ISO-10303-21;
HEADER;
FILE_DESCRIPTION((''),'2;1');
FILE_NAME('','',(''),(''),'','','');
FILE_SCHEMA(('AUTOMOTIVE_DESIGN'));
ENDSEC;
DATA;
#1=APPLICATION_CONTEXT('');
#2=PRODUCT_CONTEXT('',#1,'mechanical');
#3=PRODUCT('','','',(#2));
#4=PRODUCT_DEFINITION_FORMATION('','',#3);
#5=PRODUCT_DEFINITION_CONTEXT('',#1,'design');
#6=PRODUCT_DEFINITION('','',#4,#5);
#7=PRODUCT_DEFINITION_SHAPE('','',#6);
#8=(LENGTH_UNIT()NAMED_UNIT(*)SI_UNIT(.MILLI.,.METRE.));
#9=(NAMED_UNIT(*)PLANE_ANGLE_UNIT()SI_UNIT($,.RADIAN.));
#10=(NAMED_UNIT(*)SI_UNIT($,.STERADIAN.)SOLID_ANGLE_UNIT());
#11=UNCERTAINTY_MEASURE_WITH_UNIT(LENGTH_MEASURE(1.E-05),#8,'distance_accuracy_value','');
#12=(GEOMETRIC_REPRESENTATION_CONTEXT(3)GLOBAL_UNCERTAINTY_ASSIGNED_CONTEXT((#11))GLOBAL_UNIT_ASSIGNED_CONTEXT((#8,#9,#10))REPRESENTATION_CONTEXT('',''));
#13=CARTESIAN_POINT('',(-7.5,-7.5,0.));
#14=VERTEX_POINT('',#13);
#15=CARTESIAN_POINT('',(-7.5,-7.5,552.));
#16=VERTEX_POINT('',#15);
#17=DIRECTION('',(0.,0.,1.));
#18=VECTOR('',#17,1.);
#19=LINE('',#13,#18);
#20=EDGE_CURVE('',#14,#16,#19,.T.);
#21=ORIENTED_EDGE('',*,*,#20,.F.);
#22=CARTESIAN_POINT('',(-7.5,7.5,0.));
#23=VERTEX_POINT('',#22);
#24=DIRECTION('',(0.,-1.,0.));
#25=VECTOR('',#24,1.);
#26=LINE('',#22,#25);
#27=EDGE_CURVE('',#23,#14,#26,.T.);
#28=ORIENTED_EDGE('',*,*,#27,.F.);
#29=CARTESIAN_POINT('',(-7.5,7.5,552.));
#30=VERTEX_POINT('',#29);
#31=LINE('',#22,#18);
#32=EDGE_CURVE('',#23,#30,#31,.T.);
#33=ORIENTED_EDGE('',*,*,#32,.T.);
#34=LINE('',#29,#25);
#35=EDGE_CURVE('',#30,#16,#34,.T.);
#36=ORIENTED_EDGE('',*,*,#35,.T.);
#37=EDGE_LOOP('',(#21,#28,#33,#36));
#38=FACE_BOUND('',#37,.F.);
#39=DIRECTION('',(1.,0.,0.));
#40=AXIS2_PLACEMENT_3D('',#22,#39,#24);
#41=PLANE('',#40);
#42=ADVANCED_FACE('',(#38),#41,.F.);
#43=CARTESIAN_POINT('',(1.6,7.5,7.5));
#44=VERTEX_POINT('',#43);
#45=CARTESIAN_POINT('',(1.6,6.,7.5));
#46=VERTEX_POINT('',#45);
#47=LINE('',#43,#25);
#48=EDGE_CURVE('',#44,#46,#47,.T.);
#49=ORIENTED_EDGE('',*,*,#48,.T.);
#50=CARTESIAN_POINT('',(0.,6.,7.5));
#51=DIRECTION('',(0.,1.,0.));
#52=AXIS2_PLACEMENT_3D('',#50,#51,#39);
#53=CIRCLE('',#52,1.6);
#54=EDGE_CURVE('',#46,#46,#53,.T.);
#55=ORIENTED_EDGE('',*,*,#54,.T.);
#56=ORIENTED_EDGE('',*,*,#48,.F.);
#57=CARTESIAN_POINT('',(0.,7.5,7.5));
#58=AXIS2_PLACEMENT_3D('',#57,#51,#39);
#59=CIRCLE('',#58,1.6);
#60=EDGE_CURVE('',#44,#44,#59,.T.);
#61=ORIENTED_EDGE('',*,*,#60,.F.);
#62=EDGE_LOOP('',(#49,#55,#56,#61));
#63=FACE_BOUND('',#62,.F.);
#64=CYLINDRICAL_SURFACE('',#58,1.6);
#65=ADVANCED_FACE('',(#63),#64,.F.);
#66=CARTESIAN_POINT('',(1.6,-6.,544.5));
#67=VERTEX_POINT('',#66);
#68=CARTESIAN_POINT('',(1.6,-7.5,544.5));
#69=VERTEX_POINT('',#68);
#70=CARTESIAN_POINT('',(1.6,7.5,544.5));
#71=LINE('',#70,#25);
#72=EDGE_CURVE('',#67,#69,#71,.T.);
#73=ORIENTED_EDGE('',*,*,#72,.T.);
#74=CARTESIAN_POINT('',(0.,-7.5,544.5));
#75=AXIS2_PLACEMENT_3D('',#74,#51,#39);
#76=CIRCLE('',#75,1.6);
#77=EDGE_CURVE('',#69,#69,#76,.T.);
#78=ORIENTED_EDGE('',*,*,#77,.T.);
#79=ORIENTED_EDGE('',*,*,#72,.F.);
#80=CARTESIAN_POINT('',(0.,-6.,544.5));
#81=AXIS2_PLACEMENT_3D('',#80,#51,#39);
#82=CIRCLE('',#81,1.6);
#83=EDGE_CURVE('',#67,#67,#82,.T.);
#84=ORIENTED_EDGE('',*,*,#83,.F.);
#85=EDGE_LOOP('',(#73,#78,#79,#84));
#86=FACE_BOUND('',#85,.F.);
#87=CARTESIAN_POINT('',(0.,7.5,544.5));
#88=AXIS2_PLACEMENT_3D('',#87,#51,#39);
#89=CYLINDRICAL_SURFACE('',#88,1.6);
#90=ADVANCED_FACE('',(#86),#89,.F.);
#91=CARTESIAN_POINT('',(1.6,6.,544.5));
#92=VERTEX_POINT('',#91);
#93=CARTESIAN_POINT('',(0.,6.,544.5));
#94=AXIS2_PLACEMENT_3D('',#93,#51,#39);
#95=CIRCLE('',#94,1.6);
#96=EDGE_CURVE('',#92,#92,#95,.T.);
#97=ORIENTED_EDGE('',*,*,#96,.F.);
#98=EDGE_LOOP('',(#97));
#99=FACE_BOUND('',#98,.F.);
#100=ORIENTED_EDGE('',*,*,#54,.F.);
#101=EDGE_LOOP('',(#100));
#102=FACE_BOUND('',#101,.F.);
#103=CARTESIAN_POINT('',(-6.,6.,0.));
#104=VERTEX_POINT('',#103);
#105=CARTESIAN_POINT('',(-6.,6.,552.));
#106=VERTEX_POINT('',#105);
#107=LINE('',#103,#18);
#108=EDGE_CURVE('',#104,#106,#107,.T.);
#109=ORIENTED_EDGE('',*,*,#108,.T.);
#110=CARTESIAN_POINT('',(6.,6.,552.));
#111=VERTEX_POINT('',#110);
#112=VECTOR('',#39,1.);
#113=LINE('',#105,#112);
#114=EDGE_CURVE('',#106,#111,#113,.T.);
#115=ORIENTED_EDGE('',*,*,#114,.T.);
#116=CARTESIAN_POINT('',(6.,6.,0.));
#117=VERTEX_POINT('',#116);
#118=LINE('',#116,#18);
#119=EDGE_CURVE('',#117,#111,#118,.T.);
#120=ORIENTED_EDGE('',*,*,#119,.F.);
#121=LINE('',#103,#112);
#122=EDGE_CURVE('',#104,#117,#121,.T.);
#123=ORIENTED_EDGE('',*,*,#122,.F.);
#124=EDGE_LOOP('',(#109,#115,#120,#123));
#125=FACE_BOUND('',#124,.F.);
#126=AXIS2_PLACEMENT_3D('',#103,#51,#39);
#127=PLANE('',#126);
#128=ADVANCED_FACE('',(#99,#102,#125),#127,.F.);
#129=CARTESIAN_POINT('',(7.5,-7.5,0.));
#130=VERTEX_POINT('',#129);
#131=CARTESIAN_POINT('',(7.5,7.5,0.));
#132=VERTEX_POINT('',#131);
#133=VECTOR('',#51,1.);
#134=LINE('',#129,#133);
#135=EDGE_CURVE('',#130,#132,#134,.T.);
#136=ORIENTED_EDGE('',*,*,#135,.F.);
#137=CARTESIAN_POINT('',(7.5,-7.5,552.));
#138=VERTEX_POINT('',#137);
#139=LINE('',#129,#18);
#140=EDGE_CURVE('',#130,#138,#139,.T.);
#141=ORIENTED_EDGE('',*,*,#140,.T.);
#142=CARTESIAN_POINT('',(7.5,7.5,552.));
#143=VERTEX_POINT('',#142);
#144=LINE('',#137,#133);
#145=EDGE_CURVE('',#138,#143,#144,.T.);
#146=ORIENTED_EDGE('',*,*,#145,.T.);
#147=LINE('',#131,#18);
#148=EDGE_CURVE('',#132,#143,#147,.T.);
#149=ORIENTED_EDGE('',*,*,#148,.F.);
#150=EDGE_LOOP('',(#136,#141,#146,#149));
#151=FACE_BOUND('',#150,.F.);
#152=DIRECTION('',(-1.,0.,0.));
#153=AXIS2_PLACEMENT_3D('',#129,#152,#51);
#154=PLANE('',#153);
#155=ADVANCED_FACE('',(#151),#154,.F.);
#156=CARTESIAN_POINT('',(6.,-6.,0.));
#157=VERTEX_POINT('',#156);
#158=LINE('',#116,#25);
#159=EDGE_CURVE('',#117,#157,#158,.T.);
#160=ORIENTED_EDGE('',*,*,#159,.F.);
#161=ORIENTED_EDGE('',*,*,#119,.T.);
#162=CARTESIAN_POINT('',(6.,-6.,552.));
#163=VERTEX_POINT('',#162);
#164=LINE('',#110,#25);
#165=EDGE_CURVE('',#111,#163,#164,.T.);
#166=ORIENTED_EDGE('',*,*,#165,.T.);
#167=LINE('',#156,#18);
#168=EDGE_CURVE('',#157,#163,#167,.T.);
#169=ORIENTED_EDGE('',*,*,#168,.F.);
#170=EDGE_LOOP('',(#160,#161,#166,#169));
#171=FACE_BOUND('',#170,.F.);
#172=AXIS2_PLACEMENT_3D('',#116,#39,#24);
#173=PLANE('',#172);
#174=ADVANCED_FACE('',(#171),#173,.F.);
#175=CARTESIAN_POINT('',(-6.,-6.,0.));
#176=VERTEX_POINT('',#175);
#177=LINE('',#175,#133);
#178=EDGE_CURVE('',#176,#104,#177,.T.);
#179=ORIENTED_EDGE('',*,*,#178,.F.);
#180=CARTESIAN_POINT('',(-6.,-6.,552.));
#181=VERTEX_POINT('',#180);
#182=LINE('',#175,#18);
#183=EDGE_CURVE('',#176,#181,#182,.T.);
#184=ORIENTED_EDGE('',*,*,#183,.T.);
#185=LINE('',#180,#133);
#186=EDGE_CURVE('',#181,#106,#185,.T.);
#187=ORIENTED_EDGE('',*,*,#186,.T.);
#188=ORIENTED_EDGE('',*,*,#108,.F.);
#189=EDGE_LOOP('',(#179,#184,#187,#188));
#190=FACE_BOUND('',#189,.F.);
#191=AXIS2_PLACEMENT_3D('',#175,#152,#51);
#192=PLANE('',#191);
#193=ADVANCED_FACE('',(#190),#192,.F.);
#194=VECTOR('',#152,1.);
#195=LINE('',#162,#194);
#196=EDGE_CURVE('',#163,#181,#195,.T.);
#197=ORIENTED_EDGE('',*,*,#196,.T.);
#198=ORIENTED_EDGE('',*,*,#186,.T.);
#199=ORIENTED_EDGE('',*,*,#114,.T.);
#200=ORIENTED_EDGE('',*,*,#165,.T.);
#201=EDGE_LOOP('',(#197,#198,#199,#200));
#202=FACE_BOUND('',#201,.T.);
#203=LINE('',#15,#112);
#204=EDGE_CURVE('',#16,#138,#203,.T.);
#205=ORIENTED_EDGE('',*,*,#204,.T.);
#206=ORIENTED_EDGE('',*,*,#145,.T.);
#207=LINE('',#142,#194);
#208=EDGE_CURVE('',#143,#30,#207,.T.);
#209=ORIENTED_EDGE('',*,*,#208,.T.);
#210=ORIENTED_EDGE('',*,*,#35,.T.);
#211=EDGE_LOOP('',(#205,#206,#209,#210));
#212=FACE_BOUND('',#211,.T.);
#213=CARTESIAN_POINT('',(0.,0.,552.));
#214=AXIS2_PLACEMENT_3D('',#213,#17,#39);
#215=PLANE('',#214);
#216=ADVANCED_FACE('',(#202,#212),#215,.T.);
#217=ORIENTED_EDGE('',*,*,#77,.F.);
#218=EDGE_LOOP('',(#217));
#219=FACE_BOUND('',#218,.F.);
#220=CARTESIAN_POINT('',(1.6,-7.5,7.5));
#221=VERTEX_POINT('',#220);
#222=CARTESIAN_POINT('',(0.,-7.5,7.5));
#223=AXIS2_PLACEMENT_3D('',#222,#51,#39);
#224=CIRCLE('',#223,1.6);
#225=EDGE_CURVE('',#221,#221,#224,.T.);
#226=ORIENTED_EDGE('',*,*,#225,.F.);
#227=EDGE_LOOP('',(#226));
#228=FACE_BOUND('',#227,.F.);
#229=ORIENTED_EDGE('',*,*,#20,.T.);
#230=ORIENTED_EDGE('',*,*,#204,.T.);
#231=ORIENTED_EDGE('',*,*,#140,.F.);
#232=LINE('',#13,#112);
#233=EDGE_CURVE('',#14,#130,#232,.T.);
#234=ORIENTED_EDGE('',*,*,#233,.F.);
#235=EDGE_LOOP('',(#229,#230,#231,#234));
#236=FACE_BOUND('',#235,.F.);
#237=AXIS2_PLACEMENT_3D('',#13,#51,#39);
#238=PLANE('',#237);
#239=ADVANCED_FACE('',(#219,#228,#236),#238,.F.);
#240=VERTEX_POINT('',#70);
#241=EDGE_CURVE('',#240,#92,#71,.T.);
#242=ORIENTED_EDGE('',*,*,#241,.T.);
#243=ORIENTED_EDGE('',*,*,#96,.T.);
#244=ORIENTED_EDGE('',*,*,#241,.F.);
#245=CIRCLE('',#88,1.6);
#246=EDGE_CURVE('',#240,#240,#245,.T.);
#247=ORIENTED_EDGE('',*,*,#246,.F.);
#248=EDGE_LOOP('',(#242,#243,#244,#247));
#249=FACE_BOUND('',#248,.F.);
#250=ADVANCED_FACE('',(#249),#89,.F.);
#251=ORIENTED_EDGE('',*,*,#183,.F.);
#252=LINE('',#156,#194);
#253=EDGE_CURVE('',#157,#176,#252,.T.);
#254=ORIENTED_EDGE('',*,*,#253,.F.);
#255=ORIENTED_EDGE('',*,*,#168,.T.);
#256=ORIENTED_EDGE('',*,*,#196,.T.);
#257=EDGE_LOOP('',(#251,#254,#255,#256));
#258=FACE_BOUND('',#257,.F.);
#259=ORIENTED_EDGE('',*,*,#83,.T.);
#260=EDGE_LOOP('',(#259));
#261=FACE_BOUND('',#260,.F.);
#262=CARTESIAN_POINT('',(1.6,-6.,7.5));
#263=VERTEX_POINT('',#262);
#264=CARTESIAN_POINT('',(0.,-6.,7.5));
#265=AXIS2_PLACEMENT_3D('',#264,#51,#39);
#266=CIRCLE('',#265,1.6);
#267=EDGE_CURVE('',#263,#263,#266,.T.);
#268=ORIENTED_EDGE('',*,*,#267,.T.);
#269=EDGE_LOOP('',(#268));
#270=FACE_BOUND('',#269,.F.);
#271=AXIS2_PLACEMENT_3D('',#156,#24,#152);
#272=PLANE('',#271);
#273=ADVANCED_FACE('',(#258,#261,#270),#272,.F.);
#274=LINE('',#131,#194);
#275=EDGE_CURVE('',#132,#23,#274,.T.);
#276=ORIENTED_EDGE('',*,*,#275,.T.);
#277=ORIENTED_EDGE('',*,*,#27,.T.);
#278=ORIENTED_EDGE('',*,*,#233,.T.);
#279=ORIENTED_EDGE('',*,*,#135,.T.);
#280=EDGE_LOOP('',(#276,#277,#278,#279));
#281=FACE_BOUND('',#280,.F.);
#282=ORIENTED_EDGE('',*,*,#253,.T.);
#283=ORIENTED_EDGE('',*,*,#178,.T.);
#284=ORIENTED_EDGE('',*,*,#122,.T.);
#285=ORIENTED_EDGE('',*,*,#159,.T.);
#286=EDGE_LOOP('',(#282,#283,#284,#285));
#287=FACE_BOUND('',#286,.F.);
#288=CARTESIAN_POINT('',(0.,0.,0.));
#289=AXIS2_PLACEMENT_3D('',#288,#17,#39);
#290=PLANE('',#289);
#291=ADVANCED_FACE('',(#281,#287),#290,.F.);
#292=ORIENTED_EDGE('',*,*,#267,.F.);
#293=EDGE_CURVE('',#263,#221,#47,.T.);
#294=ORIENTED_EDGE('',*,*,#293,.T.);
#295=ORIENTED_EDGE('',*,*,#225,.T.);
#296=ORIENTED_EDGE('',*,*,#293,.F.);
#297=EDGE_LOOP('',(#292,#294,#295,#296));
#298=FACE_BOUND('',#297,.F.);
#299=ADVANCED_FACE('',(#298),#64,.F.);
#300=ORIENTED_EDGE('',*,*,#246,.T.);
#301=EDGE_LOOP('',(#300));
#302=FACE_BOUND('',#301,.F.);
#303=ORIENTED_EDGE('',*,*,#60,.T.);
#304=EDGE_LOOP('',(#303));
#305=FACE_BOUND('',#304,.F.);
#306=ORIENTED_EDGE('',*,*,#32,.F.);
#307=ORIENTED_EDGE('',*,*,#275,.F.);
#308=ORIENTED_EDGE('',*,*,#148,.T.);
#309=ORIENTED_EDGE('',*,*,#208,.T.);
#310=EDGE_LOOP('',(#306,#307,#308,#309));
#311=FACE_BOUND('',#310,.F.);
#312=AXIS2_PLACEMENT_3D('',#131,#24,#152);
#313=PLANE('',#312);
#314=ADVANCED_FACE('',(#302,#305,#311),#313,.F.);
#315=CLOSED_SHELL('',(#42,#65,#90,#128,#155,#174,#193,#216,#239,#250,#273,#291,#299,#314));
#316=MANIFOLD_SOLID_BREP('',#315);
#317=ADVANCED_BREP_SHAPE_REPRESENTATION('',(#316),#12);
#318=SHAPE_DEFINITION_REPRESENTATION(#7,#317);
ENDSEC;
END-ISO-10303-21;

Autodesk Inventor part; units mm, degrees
ref_plane "YZ Plane" through (0, 0, 0) normal (1, 0, 0) x (0, 1, 0)
ref_plane "XZ Plane" through (0, 0, 0) normal (0, 1, 0) x (-1, 0, 0)
ref_plane "XY Plane" through (0, 0, 0) normal (0, 0, 1) x (1, 0, 0)
sketch "スケッチ1" plane through (0, 0, 0) normal (0, 0, 1) x (1, 0, 0)
  line L0 (7.5, 7.5) -> (-7.5, 7.5)
  line L1 (-7.5, 7.5) -> (-7.5, -7.5)
  line L2 (-7.5, -7.5) -> (7.5, -7.5)
  line L3 (7.5, -7.5) -> (7.5, 7.5)
  line L4 (7.5, 7.5) -> (-7.5, -7.5) construction
  line L5 (-7.5, 7.5) -> (7.5, -7.5) construction
  line L6 (-6, 6) -> (6, 6)
  line L7 (6, 6) -> (6, -6)
  line L8 (6, -6) -> (-6, -6)
  line L9 (-6, -6) -> (-6, 6)
  point P0 (0, 0)
  dimension "d0" = 15
  dimension "d1" = 15
  dimension "d2" = 1.5
extrude "押し出し1" add sketch "スケッチ1" along normal blind 552
sketch "スケッチ2" plane through (-7.5, 7.5, 0) normal (0, 1, 0) x (1, 0, 0)
  circle A0 centre (7.5, -7.5) radius 1.6
  line L0 (15, 0) -> (0, 0) projected
  circle A1 centre (7.5, -544.5) radius 1.6
  line L1 (15, -552) -> (0, -552) projected
  point P0 (7.5, 0)
  point P1 (7.5, 0)
  point P2 (7.5, -552)
  dimension "d5" = 3.2
  dimension "d6" = 7.5
  dimension "d7" = 3.2
  dimension "d8" = 7.5
extrude "押し出し2" cut sketch "スケッチ2" against normal through all
properties part number "上下機構_角柱5" material "アルミニウム 6061"
